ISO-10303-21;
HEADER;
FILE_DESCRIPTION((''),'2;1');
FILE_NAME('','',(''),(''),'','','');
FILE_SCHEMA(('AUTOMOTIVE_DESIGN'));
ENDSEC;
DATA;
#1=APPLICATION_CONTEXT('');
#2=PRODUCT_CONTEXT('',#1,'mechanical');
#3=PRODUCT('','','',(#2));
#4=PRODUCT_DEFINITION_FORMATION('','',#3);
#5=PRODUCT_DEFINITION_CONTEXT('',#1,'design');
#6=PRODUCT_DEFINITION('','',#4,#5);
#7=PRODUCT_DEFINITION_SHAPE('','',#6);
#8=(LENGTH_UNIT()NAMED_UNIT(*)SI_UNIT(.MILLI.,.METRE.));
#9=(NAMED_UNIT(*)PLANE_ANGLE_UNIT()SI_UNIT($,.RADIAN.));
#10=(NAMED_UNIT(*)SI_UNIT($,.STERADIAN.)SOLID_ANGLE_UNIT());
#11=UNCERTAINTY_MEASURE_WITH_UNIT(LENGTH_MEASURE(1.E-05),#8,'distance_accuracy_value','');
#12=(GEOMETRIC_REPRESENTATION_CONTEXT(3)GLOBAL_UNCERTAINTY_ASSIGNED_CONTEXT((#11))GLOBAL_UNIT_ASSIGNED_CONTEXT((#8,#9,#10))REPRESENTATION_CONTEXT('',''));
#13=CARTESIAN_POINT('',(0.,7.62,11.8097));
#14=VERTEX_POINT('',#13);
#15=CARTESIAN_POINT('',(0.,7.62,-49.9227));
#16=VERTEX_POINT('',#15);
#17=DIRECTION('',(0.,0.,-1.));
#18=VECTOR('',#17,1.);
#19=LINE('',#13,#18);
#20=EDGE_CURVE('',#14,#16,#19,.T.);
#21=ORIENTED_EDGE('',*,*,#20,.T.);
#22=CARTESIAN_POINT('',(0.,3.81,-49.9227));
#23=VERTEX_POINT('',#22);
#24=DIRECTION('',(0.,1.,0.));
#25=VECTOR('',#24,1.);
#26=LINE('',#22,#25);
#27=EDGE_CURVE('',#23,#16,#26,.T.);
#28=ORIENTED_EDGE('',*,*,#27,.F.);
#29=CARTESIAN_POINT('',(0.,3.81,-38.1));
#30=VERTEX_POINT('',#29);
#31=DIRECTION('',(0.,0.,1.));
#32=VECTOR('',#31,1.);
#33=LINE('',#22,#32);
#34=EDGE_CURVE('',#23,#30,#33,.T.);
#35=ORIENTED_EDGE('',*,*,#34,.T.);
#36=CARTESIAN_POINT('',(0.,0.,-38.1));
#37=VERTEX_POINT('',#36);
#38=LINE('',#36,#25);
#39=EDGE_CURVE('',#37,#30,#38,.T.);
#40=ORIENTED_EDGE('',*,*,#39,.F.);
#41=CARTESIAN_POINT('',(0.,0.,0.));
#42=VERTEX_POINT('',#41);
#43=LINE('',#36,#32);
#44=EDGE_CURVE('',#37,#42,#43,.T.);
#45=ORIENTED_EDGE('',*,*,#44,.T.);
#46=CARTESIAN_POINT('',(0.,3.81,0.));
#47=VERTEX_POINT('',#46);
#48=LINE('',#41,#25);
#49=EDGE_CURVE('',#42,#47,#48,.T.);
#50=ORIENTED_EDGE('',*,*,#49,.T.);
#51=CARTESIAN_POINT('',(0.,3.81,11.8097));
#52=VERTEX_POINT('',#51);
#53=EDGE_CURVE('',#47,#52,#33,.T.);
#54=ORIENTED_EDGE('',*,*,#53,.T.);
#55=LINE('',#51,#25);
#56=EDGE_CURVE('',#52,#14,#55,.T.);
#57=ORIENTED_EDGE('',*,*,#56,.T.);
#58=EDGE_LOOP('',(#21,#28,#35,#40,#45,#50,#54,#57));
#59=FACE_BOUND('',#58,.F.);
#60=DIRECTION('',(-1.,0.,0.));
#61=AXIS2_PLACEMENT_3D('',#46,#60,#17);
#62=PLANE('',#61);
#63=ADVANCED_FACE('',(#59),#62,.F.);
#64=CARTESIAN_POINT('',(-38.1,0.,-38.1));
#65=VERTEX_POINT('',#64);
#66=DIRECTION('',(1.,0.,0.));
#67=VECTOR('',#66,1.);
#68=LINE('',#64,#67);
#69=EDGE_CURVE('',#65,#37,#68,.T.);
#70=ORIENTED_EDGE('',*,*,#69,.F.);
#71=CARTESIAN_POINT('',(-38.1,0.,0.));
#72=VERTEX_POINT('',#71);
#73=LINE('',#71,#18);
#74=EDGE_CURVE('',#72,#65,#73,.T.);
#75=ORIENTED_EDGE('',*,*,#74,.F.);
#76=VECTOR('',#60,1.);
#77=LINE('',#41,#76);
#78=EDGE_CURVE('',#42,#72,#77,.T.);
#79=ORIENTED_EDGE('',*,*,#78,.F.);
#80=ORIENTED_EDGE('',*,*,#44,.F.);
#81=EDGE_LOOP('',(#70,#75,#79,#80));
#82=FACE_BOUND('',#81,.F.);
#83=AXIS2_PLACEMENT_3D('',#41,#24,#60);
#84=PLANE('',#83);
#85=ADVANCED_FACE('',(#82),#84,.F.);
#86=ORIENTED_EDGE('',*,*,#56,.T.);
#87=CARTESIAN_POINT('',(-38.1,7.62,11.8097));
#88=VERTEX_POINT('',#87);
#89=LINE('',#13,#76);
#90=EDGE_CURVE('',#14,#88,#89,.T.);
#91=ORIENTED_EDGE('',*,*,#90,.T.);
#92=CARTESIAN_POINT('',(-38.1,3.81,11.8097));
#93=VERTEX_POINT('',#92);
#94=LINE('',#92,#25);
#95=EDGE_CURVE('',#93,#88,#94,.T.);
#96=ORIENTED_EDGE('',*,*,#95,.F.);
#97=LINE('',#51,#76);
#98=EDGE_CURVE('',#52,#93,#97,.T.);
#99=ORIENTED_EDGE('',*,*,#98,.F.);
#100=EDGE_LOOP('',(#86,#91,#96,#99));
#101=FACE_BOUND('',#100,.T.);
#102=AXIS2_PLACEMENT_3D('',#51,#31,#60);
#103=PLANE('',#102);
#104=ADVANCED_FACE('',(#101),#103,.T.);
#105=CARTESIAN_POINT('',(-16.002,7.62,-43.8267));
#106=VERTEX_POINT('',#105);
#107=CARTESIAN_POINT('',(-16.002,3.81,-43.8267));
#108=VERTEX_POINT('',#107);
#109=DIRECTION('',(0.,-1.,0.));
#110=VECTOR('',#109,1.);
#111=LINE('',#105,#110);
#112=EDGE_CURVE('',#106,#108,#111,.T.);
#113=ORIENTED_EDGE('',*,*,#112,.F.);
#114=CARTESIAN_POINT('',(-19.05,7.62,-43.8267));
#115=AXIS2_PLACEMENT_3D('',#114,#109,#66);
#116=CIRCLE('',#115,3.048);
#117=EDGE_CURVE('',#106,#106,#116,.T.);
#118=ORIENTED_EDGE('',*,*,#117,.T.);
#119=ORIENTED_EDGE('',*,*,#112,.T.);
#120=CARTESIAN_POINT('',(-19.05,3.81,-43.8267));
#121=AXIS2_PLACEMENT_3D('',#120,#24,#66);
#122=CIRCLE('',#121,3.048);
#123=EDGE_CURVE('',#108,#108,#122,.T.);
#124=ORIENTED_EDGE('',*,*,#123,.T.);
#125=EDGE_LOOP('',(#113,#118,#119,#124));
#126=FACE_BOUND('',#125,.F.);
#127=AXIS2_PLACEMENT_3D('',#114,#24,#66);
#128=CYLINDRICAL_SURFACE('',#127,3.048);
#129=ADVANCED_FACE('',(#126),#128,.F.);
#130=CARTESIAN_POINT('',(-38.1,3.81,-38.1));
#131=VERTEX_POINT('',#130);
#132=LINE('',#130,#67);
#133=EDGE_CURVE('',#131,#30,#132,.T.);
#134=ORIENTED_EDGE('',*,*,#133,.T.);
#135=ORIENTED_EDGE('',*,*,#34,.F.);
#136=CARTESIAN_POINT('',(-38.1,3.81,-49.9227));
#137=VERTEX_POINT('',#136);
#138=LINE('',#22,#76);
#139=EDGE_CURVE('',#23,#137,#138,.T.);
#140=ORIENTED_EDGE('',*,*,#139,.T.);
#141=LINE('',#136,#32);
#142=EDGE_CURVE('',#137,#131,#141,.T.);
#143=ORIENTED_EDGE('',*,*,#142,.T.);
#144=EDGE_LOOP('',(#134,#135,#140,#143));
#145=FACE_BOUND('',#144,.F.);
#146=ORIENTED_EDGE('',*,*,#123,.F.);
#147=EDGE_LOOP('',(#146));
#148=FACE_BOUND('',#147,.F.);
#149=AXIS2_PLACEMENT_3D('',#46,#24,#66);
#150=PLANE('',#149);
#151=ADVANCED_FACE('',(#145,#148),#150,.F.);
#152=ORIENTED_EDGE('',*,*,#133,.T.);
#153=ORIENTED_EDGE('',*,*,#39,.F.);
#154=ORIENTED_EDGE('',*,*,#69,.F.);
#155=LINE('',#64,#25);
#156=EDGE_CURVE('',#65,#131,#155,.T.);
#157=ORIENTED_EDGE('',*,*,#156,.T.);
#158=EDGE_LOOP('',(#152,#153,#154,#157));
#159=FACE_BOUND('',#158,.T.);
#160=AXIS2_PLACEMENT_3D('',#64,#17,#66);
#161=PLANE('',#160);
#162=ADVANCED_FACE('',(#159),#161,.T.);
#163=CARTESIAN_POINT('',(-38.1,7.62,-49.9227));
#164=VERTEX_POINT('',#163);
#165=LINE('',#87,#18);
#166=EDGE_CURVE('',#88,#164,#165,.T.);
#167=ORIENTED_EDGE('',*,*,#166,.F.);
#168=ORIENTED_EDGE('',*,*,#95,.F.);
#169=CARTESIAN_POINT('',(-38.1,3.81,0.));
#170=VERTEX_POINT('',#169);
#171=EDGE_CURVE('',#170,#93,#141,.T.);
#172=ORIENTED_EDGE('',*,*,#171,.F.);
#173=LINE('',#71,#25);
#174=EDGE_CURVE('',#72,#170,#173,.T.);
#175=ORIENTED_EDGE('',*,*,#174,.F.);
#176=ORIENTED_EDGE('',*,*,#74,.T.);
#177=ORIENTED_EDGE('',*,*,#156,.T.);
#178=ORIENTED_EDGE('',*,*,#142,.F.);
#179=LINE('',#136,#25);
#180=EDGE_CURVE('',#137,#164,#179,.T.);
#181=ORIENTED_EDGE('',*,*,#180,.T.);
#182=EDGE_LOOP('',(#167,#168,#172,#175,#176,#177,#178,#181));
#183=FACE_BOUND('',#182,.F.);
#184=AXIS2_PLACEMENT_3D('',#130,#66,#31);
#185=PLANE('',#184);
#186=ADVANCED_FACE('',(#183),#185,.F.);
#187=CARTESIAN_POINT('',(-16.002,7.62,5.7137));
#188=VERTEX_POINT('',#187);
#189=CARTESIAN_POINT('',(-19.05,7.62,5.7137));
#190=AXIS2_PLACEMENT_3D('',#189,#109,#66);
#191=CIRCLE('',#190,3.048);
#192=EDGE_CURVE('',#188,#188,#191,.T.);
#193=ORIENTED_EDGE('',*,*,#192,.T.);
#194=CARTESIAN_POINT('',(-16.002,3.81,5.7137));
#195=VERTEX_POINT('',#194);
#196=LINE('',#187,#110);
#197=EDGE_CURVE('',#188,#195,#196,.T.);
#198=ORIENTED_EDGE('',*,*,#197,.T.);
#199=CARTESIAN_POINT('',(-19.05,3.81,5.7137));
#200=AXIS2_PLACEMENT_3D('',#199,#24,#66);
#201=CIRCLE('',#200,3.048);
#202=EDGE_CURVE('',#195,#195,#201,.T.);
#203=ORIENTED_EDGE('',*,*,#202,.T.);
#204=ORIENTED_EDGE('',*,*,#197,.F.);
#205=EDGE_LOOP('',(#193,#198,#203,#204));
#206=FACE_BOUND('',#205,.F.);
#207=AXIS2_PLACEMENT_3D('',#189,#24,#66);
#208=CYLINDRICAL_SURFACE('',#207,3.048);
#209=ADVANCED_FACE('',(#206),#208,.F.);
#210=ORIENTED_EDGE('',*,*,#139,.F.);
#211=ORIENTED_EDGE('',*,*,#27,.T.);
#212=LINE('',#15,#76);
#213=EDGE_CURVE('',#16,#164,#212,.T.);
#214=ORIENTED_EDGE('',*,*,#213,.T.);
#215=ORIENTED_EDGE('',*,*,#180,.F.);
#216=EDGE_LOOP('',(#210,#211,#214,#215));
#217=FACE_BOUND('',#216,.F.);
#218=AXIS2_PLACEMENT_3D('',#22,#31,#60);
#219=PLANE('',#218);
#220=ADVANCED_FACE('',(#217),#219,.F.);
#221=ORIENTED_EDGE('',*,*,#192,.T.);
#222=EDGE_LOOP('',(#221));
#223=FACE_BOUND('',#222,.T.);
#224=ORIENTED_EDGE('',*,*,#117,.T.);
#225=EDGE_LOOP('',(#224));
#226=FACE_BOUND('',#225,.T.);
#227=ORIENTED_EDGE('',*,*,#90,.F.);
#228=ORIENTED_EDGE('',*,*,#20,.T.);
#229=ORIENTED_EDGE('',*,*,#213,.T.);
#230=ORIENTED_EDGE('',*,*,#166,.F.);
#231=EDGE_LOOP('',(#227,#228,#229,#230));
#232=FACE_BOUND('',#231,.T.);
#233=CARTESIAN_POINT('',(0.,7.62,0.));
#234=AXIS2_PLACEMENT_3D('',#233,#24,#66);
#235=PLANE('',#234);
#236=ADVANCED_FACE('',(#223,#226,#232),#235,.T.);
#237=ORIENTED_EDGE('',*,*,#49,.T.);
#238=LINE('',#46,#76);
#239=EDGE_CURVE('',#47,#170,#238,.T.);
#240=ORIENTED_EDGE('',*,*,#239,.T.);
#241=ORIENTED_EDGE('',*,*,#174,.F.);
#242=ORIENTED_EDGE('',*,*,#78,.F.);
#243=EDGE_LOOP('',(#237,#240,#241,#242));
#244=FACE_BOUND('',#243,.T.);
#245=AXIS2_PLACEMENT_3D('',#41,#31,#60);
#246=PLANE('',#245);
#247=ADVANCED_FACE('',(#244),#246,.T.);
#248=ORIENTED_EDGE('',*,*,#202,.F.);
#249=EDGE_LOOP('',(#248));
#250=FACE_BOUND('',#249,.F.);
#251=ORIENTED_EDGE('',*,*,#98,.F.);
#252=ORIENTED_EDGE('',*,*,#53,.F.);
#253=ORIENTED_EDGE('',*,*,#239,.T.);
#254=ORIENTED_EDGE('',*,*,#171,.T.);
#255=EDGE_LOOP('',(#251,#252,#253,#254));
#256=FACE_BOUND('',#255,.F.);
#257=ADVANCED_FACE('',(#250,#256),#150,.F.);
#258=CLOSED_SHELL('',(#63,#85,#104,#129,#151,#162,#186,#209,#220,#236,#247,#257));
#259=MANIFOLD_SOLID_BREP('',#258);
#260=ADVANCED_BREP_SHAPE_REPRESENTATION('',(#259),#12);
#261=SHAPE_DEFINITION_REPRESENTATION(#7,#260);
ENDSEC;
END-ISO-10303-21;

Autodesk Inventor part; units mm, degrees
ref_plane "YZ Plane" through (0, 0, 0) normal (1, 0, 0) x (0, 1, 0)
ref_plane "XZ Plane" through (0, 0, 0) normal (0, 1, 0) x (-1, 0, 0)
ref_plane "XY Plane" through (0, 0, 0) normal (0, 0, 1) x (1, 0, 0)
sketch "Sketch1" plane through (0, 0, 0) normal (0, 1, 0) x (-1, 0, 0)
  line L0 (0, 0) -> (38.1, 0)
  line L1 (38.1, 0) -> (38.1, -38.1)
  line L2 (38.1, -38.1) -> (0, -38.1)
  line L3 (0, -38.1) -> (0, 0)
  dimension "d0" = 38.1
  dimension "d1" = 38.1
extrude "Extrusion1" add sketch "Sketch1" along normal blind 3.81
sketch "Sketch2" plane through (0, 3.81, 0) normal (0, 1, 0) x (1, 0, 0)
  line L0 (-38.1, 0) -> (0, 0) projected
  line L1 (0, 0) -> (0, 38.1) projected
  line L2 (0, 38.1) -> (-38.1, 38.1) projected
  line L3 (-38.1, 38.1) -> (-38.1, 0) projected
  line L4 (-38.1, 0) -> (0, 0)
  line L5 (0, 0) -> (0, -11.8097)
  line L6 (0, -11.8097) -> (-38.1, -11.8097)
  line L7 (-38.1, -11.8097) -> (-38.1, 0)
  line L8 (-38.1, 38.1) -> (0, 38.1)
  line L9 (0, 38.1) -> (0, 49.9227)
  line L10 (0, 49.9227) -> (-38.1, 49.9227)
  line L11 (-38.1, 49.9227) -> (-38.1, 38.1)
extrude "Extrusion2" add sketch "Sketch2" along normal blind 3.81
sketch "Sketch3" plane through (0, 7.62, 0) normal (0, 1, 0) x (1, 0, 0)
  line L0 (-38.1, -11.8097) -> (0, -11.8097) projected
  line L1 (-19.05, -11.8097) -> (-19.05, -5.7137)
  line L2 (0, 49.9227) -> (-38.1, 49.9227) projected
  line L3 (-19.05, 49.9227) -> (-19.05, 43.8267)
  circle A0 centre (-19.05, -5.7137) radius 3.048
  circle A1 centre (-19.05, 43.8267) radius 3.048
  point P0 (0, 0)
  dimension "d6" = 6.096
  dimension "d7" = 6.096
  dimension "d8" = 6.096
extrude "Extrusion3" cut sketch "Sketch3" against normal blind 3.81
properties part number "peltier and mount" material "Aluminum 6061-AHC"
